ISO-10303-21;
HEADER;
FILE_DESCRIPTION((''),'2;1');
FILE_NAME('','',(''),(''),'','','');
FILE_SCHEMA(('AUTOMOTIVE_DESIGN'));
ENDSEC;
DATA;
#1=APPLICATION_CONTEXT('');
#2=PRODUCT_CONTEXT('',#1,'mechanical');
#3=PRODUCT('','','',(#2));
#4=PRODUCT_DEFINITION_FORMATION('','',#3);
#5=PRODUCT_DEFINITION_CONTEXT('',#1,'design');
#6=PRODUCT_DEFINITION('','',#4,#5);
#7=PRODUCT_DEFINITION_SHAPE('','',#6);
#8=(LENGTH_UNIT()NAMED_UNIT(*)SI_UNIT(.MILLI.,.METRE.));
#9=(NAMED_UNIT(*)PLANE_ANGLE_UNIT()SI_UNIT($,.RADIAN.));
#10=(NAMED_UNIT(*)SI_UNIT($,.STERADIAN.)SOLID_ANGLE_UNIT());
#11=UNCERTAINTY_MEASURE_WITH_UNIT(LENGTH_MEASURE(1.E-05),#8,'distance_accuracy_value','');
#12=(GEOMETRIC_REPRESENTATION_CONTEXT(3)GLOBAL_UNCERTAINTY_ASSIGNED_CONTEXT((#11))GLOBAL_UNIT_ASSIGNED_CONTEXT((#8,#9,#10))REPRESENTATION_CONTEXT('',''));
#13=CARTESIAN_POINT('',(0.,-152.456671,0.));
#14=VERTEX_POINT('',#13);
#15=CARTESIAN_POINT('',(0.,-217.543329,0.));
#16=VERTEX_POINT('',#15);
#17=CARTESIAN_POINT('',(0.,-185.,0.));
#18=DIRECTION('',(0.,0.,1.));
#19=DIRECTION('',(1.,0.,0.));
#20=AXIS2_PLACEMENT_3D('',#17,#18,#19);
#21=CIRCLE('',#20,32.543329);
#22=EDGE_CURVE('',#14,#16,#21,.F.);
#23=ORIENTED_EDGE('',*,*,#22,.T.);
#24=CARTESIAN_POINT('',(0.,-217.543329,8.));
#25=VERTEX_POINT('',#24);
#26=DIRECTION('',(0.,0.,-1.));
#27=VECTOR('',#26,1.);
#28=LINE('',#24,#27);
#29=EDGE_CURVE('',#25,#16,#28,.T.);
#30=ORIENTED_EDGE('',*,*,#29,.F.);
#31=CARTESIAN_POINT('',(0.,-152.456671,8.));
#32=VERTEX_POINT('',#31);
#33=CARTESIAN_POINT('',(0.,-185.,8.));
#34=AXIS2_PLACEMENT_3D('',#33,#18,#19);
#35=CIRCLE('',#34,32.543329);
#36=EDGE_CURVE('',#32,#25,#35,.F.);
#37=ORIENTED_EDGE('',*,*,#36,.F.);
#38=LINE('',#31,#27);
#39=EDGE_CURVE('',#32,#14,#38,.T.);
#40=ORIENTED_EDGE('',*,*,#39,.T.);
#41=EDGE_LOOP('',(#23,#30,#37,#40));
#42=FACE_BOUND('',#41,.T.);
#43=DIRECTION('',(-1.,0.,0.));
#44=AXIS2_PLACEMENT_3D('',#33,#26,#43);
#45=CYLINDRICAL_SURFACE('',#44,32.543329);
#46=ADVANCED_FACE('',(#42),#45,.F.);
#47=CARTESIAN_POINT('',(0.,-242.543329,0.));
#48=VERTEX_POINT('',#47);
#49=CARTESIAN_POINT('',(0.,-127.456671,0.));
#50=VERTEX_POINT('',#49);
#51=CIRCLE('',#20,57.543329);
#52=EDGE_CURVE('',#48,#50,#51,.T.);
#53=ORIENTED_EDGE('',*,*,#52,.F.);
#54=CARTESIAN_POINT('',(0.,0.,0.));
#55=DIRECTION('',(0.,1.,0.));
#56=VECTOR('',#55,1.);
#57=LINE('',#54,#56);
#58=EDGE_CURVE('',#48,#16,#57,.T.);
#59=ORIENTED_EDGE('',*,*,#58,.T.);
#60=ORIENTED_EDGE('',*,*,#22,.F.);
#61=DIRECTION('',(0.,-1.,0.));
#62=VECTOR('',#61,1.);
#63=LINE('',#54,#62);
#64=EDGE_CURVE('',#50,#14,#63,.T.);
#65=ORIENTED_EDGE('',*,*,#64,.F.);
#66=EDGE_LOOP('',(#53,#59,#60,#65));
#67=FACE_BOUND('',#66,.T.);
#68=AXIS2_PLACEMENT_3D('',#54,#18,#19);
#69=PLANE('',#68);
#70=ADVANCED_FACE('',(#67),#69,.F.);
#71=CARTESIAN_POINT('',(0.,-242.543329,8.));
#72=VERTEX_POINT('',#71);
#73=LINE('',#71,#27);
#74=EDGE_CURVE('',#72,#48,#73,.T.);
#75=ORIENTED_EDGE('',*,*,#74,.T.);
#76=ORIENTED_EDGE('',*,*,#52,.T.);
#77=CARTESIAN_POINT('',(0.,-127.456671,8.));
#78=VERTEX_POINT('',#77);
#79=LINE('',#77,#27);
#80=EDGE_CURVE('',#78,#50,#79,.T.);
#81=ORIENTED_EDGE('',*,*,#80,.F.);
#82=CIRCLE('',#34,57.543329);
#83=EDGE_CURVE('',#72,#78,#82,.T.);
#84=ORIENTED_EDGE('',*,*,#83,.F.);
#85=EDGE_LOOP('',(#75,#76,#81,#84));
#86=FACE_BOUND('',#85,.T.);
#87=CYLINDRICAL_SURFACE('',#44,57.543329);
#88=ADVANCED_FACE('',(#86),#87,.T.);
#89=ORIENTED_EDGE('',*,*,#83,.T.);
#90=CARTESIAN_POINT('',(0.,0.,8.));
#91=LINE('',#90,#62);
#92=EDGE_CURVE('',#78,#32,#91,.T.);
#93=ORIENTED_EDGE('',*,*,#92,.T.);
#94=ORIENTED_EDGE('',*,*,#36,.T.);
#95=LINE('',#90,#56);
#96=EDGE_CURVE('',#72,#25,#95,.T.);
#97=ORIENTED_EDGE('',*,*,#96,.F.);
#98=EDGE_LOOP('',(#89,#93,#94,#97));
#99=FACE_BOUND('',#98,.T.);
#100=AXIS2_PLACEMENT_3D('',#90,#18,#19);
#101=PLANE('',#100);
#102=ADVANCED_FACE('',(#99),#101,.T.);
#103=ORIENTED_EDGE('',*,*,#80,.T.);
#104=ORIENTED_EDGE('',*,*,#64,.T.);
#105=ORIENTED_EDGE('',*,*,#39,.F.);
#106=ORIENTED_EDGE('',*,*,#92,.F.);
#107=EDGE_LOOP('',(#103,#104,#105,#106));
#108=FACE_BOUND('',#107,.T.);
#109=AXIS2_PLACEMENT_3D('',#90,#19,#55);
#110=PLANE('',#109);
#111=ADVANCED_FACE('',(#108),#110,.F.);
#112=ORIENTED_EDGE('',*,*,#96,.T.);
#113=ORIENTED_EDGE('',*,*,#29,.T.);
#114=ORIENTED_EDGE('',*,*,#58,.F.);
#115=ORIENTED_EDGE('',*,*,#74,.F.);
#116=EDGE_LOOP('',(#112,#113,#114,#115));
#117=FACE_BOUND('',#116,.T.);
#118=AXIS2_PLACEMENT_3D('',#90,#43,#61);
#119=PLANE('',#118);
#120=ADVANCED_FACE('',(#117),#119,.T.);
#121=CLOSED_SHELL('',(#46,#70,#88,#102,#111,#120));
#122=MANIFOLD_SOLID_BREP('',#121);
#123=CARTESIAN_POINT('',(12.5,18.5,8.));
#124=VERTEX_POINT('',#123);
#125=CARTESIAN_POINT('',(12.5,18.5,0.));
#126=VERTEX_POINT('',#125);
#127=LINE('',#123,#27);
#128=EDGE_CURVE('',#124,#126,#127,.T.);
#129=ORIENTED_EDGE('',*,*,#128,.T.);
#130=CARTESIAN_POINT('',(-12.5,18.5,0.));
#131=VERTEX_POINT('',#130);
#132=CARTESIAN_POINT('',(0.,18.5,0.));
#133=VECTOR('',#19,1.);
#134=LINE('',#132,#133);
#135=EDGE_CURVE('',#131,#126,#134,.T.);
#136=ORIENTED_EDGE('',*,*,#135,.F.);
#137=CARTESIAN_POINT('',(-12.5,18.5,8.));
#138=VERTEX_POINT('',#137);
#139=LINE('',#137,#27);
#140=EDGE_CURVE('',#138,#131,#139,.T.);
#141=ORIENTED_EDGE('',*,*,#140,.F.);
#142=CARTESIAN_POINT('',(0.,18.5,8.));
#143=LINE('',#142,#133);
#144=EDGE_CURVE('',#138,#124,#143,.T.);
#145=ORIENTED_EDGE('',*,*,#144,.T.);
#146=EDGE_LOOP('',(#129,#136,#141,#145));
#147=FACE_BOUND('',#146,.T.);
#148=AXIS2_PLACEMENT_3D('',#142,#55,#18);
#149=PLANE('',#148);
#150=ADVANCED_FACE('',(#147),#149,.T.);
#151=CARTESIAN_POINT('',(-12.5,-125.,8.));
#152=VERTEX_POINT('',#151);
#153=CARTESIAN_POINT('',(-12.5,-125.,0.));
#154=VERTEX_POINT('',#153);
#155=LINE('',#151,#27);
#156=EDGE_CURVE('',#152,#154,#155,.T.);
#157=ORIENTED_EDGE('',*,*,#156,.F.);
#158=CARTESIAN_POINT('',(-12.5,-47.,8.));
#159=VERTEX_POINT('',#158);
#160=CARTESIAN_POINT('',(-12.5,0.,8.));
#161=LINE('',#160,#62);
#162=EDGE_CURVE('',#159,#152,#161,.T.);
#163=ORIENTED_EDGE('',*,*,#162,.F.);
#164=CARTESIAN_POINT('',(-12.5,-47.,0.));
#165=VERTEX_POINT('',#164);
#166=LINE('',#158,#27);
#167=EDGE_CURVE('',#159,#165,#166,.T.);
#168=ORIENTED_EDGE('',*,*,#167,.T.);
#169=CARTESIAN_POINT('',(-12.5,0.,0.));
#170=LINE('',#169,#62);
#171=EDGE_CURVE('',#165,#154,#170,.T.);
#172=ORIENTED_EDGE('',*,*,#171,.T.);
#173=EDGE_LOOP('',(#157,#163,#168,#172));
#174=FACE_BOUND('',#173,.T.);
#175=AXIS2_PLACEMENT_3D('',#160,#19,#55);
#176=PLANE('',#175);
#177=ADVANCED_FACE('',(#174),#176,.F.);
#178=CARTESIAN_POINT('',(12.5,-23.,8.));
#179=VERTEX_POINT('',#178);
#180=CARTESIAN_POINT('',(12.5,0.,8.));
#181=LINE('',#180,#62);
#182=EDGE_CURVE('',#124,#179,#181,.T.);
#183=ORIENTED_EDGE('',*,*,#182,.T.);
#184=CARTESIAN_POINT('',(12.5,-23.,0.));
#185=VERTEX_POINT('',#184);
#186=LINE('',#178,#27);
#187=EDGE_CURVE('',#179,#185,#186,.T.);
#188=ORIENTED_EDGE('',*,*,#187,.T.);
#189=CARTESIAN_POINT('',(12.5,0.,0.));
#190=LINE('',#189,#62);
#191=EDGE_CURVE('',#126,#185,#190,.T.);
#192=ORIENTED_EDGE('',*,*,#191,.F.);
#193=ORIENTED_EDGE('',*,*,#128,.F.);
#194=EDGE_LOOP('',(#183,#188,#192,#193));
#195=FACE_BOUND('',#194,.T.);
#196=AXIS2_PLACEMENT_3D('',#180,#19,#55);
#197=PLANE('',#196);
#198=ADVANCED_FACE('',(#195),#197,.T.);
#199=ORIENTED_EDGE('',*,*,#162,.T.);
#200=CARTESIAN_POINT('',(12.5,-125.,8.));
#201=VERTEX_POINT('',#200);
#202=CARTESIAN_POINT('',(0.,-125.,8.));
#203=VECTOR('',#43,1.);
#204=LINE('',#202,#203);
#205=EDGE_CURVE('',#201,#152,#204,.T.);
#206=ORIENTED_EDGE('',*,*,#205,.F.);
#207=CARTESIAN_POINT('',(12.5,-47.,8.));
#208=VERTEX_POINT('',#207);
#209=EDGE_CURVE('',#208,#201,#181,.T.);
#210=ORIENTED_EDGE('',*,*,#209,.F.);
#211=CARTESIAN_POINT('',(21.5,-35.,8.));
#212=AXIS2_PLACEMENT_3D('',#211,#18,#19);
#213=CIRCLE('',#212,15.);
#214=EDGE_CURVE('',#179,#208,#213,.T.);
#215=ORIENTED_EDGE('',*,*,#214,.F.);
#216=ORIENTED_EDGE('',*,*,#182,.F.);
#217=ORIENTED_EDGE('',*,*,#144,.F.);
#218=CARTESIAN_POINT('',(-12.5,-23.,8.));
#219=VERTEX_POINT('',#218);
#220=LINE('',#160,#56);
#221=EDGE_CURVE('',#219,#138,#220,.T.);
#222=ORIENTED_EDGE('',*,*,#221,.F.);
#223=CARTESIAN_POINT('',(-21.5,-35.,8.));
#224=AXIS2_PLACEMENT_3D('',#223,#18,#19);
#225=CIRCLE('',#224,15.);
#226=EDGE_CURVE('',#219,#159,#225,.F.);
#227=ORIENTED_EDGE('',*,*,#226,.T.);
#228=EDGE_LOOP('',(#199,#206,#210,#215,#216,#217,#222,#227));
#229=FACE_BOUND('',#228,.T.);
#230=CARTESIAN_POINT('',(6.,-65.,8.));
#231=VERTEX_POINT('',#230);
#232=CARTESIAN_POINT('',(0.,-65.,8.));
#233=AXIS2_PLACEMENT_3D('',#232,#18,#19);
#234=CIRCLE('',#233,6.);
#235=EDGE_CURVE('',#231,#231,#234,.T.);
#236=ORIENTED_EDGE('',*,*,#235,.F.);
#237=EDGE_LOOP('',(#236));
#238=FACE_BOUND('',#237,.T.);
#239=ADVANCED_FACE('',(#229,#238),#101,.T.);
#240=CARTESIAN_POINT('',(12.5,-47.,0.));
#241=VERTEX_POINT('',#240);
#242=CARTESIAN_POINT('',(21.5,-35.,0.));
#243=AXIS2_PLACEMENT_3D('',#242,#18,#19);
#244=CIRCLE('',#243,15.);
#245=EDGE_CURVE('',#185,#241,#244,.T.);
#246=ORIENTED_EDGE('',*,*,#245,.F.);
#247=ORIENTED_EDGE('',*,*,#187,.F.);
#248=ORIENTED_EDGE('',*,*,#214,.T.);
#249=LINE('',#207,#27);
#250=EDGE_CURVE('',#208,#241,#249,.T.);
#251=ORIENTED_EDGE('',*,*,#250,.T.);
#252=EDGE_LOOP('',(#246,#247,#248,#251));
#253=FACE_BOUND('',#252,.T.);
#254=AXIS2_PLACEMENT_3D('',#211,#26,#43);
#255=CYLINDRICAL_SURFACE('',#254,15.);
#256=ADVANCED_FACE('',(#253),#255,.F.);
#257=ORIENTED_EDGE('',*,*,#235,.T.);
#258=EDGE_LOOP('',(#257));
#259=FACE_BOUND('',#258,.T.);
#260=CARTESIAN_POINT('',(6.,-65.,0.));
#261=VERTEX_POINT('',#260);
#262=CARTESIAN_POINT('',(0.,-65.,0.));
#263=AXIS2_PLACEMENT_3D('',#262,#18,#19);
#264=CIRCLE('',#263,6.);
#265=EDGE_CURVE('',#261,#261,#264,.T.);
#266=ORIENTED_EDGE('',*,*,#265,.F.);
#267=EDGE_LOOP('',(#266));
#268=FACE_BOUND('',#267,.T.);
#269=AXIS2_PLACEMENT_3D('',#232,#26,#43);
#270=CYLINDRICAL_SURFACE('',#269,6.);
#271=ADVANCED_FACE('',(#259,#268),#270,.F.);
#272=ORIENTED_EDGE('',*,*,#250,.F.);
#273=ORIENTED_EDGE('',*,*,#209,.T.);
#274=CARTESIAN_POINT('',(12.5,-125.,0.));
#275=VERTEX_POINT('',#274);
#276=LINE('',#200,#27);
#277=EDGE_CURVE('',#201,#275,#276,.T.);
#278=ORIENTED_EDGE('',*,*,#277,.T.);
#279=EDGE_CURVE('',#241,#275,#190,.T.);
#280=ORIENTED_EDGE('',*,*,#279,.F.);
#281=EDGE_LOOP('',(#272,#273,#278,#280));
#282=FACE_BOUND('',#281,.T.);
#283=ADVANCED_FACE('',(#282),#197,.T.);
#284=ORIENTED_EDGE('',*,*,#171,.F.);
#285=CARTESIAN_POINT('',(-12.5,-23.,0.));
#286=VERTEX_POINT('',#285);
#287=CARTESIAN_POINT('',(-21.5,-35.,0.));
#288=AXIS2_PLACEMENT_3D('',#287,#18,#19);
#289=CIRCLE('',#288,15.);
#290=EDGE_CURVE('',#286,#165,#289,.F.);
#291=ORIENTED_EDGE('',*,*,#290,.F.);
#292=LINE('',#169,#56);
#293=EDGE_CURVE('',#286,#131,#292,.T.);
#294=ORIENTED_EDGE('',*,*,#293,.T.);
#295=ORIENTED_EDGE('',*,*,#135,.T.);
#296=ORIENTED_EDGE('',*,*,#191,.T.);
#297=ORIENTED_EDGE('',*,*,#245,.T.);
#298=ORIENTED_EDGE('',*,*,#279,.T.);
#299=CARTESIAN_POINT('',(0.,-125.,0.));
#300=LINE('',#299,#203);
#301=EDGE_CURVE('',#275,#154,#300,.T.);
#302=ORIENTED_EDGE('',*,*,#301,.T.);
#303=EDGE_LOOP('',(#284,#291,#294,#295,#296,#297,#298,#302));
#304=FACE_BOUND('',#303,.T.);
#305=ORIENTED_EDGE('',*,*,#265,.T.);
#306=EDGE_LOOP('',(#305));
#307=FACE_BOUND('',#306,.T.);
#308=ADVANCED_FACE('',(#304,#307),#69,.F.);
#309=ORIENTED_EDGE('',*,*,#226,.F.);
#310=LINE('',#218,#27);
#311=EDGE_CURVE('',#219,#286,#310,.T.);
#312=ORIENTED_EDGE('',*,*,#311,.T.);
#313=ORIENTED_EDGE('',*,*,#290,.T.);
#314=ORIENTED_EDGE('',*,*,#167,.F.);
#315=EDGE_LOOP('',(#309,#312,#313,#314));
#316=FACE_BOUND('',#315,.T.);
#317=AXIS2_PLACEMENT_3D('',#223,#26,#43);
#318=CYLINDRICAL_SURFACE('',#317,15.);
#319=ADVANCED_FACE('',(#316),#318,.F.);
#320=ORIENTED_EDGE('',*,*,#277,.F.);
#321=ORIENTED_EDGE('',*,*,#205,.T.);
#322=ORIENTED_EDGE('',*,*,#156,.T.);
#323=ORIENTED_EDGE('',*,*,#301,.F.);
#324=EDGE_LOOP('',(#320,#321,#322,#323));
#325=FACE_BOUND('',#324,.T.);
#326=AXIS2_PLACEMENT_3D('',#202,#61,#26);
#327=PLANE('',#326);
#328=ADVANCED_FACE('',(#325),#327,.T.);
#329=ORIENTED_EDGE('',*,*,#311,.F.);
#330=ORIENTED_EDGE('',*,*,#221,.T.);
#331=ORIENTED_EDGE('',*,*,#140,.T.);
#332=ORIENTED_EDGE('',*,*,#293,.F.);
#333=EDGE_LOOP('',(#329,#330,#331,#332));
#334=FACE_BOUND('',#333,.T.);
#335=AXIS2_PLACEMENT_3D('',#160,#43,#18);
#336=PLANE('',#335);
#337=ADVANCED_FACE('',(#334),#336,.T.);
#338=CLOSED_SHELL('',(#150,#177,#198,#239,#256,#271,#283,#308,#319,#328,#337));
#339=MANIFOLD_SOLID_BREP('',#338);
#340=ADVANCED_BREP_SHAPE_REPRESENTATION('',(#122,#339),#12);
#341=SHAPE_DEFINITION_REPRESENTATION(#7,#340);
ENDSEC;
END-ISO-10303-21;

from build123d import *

# Parameters (mm, degrees)
SKETCH1_R             = 6
BOSS_EXTRUDE1_DEPTH   = 8
BOSS_EXTRUDE1_2_DEPTH = 8


with BuildPart() as part:
    # Sketch1 → Boss-Extrude1 (new body)
    with BuildSketch(Plane.XY):
        with BuildLine():
            Line((-12.5, -13.638181697), (-12.5, -23))
            ThreePointArc((-12.5, -23), (-6.5, -35), (-12.5, -47))
            Line((-12.5, -47), (-12.5, -125))
            Line((-12.5, -125), (12.5, -125))
            Line((12.5, -125), (12.5, -47))
            ThreePointArc((12.5, -47), (6.5, -35), (12.5, -23))
            Line((12.5, -23), (12.5, -13.638181697))
            Line((12.5, -13.638181697), (12.5, 18.5))
            Line((12.5, 18.5), (-12.5, 18.5))
            Line((-12.5, 18.5), (-12.5, -13.638181697))
        make_face()
        with Locations((0, -65)):
            Circle(SKETCH1_R, mode=Mode.SUBTRACT)
    extrude(amount=BOSS_EXTRUDE1_DEPTH)


with BuildPart() as body_2:
    # Sketch1 → Boss-Extrude1 2 (new body)
    with BuildSketch(Plane.XY):
        with BuildLine():
            Line((0, -127.456671403), (0, -152.456671403))
            ThreePointArc((0, -152.456671403), (32.543328597, -185), (0, -217.543328597))
            Line((0, -217.543328597), (0, -242.543328597))
            ThreePointArc((0, -242.543328597), (57.543328597, -185), (0, -127.456671403))
        make_face()
    extrude(amount=BOSS_EXTRUDE1_2_DEPTH)


solid = Compound([part.part, body_2.part])
